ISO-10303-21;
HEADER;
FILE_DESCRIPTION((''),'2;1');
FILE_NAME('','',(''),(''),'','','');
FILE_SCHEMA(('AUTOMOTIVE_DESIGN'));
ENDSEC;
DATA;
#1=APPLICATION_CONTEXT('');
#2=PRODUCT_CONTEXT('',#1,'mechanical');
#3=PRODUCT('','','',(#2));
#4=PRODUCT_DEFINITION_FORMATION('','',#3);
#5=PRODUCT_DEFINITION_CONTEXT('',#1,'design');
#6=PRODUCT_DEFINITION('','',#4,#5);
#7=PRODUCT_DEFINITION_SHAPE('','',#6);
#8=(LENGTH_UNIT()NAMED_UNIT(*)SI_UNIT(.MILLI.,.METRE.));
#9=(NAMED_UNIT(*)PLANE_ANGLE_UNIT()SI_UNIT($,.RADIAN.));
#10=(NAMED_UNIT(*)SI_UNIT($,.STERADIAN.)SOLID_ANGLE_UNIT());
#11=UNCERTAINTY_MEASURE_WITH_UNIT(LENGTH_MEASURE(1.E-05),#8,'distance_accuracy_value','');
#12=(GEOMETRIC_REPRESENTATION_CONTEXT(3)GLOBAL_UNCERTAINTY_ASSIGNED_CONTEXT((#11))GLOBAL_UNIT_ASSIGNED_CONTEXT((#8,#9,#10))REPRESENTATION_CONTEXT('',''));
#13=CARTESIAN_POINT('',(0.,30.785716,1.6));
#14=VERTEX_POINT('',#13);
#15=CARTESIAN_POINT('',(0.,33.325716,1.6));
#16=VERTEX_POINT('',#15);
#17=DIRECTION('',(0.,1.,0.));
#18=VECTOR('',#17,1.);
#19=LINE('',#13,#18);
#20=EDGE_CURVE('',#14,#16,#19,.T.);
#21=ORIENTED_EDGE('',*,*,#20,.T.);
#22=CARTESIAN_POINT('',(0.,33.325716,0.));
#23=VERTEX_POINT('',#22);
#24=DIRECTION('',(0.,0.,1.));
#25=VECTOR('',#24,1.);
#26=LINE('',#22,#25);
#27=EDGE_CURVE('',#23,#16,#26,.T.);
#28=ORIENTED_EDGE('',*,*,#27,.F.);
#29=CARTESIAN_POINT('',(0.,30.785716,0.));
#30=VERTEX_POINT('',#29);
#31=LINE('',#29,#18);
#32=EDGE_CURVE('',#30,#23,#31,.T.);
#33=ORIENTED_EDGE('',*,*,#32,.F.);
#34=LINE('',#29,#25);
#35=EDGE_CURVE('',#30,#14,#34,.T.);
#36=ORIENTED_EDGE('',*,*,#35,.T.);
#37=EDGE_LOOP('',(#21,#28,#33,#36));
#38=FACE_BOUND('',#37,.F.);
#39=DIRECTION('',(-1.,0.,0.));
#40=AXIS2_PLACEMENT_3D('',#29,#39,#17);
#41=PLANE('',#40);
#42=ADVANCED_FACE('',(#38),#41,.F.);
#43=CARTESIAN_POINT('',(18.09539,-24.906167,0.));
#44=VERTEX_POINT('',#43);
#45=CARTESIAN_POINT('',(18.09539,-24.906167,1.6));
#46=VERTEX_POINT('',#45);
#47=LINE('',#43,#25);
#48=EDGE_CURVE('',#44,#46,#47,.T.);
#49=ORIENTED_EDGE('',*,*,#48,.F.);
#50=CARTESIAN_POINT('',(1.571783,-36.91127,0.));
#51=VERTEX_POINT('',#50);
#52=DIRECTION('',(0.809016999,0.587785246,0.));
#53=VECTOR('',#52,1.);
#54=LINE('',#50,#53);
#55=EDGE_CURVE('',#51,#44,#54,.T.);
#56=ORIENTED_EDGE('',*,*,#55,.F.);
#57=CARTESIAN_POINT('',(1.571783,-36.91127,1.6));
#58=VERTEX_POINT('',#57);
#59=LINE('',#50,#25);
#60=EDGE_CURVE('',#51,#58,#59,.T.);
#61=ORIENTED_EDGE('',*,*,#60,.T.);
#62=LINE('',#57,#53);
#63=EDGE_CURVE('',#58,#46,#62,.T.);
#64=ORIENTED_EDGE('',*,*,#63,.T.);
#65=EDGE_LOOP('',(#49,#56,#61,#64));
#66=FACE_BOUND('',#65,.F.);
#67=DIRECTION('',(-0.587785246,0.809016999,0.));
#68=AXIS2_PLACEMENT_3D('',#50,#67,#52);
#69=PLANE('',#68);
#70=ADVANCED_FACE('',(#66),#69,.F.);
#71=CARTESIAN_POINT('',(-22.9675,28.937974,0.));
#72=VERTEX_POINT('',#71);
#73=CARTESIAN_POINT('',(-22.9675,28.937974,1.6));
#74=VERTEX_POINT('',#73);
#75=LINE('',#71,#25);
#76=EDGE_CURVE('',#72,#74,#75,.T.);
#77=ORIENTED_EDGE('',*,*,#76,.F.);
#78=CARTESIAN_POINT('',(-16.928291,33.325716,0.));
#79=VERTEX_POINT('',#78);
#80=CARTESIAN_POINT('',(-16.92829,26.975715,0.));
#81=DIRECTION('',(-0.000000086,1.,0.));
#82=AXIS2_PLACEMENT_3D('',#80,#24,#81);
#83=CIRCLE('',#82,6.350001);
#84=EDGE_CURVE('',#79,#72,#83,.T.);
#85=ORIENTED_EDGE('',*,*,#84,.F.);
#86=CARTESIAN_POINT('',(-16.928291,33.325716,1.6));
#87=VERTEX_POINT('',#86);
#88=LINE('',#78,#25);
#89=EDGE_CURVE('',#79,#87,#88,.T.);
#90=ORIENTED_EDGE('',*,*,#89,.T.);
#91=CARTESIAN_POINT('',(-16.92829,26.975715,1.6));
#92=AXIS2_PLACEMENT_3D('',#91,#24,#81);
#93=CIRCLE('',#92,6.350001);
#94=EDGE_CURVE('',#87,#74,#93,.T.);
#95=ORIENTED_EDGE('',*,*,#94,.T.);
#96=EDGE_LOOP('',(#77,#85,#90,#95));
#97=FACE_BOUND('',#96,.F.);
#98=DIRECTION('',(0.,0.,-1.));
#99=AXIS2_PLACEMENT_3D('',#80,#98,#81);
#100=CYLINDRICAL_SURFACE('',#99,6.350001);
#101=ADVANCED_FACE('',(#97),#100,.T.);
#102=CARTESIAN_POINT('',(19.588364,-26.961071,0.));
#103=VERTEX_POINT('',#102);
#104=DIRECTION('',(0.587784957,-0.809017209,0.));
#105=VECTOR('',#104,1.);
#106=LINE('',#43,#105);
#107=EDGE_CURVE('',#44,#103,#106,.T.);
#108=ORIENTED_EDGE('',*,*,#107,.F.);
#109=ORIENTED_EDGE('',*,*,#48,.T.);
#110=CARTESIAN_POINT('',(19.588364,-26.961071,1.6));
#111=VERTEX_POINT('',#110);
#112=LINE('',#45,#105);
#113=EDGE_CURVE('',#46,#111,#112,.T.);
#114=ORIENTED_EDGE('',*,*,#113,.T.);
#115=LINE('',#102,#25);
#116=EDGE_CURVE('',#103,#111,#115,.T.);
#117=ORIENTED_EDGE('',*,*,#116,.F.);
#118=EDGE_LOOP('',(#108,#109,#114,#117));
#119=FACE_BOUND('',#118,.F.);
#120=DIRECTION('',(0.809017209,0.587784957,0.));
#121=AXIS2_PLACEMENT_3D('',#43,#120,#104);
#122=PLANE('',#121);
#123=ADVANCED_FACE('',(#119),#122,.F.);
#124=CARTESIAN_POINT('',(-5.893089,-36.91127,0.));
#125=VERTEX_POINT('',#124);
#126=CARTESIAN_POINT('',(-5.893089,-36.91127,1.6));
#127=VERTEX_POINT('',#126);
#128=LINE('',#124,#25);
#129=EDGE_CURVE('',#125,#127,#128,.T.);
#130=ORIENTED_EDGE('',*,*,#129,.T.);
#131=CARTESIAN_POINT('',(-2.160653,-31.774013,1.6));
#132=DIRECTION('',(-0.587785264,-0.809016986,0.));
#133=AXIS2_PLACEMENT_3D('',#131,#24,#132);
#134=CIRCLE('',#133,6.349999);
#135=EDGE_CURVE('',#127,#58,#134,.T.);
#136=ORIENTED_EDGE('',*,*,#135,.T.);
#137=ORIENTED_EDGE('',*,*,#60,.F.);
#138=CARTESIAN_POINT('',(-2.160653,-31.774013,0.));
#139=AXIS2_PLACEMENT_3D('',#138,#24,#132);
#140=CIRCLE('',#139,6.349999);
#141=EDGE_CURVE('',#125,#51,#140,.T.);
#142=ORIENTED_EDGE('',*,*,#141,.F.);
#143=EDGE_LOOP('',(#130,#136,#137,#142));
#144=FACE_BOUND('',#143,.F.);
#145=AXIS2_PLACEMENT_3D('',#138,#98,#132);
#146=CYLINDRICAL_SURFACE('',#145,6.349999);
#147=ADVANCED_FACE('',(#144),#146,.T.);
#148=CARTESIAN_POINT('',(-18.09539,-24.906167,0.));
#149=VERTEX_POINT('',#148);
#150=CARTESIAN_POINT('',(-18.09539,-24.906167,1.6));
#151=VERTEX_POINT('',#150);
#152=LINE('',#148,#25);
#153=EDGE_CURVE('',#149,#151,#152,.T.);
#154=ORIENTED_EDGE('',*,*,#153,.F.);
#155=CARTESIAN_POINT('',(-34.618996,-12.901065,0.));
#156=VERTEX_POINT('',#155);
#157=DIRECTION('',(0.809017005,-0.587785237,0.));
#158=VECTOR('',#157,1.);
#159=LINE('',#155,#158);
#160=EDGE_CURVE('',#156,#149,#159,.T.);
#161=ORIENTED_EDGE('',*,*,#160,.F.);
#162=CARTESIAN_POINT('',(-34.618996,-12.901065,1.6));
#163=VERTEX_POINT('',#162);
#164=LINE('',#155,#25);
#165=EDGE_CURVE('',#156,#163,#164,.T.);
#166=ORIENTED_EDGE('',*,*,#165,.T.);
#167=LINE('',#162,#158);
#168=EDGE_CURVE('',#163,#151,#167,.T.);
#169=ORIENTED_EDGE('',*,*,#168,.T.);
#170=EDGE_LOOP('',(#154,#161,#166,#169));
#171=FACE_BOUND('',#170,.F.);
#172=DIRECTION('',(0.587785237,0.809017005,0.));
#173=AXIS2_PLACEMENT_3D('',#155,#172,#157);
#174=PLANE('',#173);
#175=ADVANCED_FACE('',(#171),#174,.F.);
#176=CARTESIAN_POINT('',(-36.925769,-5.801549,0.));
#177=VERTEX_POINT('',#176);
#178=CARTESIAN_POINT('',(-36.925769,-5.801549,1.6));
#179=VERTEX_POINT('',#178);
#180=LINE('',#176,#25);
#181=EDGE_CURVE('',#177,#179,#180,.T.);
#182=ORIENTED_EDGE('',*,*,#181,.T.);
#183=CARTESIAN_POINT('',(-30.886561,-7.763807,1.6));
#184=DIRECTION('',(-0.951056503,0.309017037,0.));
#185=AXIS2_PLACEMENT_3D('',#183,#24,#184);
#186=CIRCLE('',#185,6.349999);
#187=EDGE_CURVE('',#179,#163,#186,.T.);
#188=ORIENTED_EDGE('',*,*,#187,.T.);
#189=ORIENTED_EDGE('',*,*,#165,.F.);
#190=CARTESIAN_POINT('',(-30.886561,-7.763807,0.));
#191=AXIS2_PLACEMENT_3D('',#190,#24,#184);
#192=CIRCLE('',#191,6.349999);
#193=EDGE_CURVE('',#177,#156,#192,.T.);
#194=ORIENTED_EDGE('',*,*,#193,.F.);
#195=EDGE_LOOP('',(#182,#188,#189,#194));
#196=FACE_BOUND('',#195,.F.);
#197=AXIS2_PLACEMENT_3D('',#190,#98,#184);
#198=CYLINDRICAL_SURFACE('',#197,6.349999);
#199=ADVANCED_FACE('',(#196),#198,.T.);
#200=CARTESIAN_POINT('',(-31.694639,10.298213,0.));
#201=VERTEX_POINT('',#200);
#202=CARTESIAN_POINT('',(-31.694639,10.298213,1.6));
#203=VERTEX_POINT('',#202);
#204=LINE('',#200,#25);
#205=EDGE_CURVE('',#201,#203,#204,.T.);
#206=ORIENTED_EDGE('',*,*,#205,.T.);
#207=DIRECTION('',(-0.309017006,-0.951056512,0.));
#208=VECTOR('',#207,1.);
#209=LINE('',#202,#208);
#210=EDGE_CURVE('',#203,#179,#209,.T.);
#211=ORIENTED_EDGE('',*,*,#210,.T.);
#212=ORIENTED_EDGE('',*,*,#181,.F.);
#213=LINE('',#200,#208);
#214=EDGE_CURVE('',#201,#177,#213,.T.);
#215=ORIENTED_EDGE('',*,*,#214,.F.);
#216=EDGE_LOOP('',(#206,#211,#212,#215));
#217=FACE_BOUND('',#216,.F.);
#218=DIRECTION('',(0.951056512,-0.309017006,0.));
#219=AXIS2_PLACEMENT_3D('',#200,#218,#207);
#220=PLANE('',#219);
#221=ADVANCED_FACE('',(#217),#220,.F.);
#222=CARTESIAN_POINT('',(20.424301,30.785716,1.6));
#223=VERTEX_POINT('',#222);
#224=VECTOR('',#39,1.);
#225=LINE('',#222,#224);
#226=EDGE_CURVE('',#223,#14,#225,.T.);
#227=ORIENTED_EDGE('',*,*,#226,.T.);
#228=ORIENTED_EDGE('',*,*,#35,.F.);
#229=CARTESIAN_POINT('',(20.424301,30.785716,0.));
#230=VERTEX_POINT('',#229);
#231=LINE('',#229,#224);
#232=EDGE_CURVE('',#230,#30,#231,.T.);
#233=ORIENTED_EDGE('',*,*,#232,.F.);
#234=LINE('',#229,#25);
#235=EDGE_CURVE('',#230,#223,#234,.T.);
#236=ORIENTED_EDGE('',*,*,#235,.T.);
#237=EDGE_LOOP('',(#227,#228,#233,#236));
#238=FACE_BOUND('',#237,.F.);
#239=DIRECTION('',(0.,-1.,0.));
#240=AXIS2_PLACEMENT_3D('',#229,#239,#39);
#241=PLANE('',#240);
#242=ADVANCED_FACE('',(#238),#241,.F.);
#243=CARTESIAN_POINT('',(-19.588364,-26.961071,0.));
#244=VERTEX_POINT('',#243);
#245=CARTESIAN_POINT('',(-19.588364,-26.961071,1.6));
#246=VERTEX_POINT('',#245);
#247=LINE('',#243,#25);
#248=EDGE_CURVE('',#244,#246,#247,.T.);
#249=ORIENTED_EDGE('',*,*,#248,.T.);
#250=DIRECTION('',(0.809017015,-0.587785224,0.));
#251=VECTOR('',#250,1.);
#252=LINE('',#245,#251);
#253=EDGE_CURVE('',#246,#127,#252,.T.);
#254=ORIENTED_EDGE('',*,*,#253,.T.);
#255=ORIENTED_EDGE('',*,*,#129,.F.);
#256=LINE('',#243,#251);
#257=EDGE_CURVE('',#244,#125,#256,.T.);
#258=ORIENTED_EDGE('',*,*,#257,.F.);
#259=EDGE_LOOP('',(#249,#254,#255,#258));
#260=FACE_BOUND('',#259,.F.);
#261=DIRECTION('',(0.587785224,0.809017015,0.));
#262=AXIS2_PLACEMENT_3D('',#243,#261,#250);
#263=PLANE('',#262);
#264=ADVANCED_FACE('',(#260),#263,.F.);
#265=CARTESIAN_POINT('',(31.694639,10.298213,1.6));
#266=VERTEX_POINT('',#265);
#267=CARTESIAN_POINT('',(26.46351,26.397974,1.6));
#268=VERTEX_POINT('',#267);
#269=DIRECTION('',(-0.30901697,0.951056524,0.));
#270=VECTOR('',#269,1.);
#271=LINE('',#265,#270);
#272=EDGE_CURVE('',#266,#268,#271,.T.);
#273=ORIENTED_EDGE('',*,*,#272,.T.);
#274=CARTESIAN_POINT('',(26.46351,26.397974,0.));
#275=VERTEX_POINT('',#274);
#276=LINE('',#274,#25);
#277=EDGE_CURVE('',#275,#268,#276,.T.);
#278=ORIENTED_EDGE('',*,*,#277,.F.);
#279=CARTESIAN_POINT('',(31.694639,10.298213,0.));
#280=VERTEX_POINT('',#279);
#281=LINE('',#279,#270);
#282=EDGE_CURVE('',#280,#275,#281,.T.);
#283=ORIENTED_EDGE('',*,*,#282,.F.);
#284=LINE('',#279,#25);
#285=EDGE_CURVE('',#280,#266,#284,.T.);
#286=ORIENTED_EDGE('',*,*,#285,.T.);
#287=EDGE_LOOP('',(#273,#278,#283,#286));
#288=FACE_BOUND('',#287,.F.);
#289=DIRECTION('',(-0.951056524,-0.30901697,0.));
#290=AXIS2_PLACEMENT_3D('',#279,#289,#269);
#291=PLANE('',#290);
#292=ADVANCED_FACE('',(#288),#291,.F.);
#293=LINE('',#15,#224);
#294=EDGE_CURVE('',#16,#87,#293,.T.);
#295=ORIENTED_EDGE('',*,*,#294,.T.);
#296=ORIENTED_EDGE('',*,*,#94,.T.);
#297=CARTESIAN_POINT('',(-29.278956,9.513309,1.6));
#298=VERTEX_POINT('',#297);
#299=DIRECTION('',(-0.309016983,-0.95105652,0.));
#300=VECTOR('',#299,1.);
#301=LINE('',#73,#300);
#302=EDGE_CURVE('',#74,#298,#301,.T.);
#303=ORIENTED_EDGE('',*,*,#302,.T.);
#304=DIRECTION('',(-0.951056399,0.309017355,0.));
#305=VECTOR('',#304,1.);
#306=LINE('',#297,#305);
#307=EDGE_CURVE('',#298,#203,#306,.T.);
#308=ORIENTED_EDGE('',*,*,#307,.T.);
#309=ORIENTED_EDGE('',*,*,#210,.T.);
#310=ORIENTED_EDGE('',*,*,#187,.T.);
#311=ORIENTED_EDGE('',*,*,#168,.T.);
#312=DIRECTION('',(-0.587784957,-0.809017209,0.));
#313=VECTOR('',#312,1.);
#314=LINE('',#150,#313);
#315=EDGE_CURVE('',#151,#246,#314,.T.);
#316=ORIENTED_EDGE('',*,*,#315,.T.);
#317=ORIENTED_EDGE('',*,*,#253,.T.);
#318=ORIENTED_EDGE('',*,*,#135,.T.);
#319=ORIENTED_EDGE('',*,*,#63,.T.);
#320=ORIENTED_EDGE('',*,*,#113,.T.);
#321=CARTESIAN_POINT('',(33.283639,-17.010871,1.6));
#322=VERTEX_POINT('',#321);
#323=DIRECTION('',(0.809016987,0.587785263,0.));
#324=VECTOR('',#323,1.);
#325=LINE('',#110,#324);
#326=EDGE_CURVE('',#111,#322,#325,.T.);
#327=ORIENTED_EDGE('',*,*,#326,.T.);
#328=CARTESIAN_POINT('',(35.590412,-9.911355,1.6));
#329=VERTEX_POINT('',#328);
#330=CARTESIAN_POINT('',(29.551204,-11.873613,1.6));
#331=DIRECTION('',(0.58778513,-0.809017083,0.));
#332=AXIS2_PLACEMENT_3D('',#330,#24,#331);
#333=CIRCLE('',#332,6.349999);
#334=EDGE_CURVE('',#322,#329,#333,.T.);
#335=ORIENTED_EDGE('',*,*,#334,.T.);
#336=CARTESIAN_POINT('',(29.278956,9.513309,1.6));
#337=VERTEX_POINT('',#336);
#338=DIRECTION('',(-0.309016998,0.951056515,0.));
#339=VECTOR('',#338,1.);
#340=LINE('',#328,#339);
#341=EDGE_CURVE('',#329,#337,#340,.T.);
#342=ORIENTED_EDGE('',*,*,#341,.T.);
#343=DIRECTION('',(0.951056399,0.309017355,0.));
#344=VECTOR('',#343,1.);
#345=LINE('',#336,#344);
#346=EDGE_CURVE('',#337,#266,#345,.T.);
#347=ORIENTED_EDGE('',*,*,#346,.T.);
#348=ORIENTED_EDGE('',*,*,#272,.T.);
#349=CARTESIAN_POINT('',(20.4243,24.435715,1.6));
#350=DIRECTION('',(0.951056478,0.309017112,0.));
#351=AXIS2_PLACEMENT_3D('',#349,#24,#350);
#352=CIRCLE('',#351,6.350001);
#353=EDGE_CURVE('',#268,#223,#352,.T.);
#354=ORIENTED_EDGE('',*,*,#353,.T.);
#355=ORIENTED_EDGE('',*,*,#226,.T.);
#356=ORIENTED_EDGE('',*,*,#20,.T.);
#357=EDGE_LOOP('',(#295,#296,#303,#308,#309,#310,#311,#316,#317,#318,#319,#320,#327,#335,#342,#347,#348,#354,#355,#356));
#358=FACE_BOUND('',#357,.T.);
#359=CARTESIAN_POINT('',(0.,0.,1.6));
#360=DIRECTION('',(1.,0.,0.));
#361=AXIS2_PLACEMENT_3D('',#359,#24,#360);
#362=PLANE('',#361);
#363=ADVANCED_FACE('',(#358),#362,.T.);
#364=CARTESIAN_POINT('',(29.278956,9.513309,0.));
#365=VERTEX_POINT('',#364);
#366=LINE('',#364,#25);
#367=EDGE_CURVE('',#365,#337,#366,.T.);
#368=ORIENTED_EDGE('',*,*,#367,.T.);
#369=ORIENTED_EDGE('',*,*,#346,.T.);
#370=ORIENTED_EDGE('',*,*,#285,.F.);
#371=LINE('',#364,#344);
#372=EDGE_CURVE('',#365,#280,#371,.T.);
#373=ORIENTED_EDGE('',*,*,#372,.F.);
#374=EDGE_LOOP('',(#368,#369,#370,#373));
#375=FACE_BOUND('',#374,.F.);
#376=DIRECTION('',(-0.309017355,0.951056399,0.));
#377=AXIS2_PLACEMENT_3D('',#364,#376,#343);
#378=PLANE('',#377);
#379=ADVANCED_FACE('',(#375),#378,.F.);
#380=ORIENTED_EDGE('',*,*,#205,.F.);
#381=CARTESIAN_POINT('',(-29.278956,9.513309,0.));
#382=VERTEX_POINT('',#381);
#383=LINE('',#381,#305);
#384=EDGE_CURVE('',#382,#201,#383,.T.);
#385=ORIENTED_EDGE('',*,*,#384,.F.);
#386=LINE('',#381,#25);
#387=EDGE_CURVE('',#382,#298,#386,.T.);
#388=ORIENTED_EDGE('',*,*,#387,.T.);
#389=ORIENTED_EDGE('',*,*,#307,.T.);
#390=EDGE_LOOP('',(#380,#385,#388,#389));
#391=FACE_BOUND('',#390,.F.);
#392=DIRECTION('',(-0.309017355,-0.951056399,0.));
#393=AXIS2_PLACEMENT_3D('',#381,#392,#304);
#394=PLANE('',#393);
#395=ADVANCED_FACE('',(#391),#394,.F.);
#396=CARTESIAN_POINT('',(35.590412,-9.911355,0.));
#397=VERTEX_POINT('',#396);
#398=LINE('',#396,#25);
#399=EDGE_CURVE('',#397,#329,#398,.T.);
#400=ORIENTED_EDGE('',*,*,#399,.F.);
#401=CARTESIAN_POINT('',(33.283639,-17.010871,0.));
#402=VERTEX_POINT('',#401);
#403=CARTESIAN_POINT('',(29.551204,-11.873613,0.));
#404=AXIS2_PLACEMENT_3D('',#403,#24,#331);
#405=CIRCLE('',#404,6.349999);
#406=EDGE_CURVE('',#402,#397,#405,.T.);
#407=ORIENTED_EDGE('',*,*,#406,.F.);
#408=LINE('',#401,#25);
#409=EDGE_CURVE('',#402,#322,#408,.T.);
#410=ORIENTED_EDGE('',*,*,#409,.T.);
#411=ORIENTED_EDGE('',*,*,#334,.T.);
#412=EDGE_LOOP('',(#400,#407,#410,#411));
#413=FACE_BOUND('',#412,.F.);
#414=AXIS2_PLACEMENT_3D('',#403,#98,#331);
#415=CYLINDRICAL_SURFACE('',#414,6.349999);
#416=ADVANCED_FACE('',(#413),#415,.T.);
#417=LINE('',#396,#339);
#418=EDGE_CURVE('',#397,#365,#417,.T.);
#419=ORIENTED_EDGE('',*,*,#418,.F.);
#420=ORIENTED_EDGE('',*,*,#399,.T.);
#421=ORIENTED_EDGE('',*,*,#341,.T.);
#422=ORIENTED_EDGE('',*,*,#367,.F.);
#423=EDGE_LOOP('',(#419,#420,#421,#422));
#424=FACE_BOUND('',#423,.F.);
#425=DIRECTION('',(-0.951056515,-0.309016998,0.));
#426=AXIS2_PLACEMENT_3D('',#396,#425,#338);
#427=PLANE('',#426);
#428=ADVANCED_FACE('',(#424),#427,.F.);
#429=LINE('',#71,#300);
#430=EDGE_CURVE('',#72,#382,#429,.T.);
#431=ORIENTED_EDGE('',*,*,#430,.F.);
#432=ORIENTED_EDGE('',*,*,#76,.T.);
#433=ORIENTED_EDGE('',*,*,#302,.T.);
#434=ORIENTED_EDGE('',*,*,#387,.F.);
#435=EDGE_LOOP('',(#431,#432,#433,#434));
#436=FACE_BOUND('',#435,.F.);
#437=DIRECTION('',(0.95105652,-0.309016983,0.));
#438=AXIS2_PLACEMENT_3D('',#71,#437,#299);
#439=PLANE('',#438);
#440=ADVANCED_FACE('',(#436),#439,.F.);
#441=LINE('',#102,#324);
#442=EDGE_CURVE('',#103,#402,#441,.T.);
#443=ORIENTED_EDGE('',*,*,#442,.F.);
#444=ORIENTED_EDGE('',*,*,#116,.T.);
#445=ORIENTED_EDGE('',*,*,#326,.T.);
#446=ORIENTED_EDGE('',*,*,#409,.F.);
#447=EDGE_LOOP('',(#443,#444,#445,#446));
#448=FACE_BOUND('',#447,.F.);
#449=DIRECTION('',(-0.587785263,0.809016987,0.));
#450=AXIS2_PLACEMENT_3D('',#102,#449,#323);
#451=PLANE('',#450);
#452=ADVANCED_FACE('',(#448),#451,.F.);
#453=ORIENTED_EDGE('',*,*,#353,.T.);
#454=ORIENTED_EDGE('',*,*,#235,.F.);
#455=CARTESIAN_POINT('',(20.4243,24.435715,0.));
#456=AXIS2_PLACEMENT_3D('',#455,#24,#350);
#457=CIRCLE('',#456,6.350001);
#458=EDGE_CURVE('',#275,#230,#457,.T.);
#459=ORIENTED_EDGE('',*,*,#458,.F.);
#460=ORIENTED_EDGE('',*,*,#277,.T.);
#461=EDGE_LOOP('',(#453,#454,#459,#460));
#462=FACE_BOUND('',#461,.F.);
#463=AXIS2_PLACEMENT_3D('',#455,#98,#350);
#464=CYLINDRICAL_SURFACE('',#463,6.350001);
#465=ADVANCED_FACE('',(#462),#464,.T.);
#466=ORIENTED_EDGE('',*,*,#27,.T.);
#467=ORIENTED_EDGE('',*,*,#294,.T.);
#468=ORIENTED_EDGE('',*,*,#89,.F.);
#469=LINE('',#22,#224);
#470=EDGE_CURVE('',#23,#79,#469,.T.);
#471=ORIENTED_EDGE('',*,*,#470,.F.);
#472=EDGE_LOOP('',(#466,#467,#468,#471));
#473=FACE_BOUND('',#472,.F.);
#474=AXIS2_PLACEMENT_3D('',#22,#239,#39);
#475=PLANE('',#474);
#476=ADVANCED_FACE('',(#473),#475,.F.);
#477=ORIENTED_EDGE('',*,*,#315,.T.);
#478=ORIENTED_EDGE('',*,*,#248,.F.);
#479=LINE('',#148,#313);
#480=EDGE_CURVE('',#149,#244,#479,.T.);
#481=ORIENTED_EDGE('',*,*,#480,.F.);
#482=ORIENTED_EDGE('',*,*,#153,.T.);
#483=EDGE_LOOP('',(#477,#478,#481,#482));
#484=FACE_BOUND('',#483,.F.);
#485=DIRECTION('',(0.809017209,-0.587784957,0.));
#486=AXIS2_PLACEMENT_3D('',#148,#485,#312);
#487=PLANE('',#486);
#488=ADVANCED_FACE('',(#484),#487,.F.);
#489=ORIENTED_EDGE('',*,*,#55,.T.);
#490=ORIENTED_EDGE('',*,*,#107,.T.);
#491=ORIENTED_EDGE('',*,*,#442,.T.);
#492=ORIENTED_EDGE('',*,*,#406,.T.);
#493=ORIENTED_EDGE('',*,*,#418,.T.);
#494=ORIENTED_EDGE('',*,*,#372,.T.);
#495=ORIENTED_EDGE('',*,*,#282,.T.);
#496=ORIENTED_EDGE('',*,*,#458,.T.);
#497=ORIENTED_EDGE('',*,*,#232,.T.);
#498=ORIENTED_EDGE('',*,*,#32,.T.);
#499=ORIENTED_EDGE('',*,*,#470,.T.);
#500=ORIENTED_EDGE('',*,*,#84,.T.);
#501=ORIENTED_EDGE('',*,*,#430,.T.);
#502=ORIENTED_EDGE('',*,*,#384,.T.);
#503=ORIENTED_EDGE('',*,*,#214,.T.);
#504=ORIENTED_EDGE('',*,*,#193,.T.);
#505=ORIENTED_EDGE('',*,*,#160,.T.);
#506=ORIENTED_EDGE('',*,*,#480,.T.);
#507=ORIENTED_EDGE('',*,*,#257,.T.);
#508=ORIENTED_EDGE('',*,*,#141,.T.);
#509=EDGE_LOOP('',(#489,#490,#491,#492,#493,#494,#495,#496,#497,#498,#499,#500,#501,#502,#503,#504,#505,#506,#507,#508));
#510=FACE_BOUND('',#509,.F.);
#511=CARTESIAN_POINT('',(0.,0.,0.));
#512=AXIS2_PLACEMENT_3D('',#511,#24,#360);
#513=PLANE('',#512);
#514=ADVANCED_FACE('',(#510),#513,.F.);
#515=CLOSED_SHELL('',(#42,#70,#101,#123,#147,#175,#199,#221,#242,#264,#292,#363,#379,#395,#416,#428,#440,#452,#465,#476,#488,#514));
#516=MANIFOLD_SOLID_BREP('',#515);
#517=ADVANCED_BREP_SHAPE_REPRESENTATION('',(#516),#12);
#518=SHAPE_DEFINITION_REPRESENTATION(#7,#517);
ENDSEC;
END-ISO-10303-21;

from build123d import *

# Parameters (mm, degrees)
F1_DEPTH = 1.6


with BuildPart() as f1:
    # F0 (on Top) → F1 (new body)
    with BuildSketch(Plane.XY):
        with BuildLine():
            Line((0, 30.785716), (0, 33.325716))
            Line((0, 33.325716), (-16.928291, 33.325716))
            ThreePointArc((-16.928291, 33.325716), (-20.660727, 32.112974), (-22.9675, 28.937974))
            Line((-22.9675, 28.937974), (-29.278956, 9.513309))
            Line((-29.278956, 9.513309), (-31.694639, 10.298213))
            Line((-31.694639, 10.298213), (-36.925769, -5.801549))
            ThreePointArc((-36.925769, -5.801549), (-36.925769, -9.726065), (-34.618996, -12.901065))
            Line((-34.618996, -12.901065), (-18.09539, -24.906167))
            Line((-18.09539, -24.906167), (-19.588364, -26.961071))
            Line((-19.588364, -26.961071), (-5.893089, -36.91127))
            ThreePointArc((-5.893089, -36.91127), (-2.160653, -38.124012), (1.571783, -36.91127))
            Line((1.571783, -36.91127), (18.09539, -24.906167))
            Line((18.09539, -24.906167), (19.588364, -26.961071))
            Line((19.588364, -26.961071), (33.283639, -17.010871))
            ThreePointArc((33.283639, -17.010871), (35.590412, -13.835871), (35.590412, -9.911355))
            Line((35.590412, -9.911355), (29.278956, 9.513309))
            Line((29.278956, 9.513309), (31.694639, 10.298213))
            Line((31.694639, 10.298213), (26.46351, 26.397974))
            ThreePointArc((26.46351, 26.397974), (24.156737, 29.572974), (20.424301, 30.785716))
            Line((20.424301, 30.785716), (0, 30.785716))
        make_face()
    extrude(amount=F1_DEPTH)


solid = f1.part
